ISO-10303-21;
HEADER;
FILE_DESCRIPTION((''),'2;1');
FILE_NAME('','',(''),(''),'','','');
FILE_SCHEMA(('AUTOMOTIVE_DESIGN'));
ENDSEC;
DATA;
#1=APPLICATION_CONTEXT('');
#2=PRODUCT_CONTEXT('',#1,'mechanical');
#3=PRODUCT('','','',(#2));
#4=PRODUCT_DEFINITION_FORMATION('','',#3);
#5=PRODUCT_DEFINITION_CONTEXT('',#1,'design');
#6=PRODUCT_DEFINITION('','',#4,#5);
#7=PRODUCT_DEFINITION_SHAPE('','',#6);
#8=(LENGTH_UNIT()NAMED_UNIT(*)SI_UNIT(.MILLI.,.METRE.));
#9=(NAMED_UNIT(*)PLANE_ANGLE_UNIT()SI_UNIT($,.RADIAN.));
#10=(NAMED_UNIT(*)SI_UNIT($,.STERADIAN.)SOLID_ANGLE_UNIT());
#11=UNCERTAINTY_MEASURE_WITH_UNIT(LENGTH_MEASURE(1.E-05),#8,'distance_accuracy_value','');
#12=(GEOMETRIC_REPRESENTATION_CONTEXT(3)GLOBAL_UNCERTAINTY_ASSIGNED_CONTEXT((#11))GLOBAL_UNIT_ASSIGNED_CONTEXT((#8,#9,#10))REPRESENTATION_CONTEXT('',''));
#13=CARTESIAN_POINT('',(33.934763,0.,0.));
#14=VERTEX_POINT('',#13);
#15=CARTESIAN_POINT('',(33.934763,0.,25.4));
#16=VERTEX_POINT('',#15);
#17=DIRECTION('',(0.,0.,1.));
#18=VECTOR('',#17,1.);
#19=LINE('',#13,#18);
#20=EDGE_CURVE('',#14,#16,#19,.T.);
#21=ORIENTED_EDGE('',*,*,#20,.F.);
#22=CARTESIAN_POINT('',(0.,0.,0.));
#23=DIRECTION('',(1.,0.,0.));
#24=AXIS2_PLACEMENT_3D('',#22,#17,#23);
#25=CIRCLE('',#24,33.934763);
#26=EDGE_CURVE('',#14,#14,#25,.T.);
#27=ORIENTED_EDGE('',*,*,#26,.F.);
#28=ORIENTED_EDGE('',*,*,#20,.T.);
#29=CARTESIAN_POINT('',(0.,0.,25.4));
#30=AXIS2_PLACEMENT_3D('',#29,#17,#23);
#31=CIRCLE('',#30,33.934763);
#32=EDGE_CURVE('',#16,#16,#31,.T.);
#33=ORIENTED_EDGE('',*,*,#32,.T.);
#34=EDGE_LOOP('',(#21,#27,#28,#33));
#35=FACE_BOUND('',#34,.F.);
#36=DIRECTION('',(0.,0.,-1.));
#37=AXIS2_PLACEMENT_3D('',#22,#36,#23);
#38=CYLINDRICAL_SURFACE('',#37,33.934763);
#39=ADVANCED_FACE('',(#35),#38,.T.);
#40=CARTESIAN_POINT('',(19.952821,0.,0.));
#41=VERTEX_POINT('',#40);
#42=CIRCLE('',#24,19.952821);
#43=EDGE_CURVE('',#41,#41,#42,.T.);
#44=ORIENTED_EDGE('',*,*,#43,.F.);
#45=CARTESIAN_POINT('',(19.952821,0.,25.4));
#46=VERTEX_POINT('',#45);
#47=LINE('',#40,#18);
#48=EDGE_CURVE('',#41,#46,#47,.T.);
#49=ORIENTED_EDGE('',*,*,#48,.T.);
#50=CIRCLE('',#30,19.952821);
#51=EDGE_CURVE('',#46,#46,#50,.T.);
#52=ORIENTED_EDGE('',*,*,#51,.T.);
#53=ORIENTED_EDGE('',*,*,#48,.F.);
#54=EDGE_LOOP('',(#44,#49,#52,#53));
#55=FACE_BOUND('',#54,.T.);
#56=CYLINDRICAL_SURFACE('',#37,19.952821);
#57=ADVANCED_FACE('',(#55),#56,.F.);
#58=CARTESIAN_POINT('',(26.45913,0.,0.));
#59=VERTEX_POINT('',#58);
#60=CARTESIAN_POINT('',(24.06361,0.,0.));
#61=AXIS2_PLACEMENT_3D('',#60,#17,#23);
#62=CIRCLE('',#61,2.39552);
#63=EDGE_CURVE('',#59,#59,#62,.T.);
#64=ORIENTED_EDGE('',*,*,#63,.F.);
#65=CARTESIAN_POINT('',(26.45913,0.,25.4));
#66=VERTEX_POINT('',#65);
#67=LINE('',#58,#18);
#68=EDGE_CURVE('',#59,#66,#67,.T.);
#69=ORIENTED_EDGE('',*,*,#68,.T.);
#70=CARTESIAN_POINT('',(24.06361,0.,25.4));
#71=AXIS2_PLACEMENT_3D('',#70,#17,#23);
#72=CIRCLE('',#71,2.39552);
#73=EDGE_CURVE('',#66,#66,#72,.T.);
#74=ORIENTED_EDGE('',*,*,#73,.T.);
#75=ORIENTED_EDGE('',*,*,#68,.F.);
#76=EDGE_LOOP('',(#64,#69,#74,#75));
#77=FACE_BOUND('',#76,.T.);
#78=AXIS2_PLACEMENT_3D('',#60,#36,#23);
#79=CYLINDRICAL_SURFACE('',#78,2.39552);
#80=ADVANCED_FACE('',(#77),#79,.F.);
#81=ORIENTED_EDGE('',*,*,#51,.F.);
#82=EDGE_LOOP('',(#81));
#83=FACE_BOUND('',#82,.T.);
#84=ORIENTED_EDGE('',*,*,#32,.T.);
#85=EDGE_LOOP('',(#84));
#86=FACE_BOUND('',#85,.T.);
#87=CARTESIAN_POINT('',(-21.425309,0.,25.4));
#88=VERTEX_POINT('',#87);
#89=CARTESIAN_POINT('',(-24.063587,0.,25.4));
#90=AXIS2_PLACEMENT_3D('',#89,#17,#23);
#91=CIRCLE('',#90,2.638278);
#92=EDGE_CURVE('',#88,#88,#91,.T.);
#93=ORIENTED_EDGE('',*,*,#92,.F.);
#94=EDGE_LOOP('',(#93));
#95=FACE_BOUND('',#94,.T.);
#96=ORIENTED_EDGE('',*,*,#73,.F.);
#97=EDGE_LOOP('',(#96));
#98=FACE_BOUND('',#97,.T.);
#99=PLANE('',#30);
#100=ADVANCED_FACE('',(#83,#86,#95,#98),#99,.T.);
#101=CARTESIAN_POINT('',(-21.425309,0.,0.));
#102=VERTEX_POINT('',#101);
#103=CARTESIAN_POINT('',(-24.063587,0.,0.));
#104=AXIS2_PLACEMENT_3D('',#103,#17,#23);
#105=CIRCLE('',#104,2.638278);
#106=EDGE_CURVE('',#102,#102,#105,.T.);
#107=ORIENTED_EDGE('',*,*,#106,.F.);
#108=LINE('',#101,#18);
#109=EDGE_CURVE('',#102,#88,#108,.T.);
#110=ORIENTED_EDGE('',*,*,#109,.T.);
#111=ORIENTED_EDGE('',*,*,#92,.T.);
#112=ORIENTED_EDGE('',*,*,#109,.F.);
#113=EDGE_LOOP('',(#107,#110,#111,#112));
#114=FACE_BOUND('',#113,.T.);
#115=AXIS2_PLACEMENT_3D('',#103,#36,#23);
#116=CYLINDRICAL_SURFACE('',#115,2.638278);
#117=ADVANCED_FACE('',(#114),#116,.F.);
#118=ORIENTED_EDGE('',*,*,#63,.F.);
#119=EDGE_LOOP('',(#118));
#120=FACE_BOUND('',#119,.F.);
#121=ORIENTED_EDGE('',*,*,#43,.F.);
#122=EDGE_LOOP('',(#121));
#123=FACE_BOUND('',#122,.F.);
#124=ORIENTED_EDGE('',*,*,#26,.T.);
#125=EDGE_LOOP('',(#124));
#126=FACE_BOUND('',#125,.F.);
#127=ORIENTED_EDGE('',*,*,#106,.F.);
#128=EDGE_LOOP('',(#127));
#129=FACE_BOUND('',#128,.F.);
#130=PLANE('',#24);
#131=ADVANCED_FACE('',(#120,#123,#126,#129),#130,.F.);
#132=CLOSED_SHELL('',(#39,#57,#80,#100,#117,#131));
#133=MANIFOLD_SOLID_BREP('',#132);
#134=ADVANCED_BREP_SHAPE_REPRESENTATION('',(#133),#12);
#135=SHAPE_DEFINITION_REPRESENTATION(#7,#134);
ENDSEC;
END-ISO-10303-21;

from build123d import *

# Parameters (mm, degrees)
F0_R     = 33.934763
F0_R_2   = 2.638278
F0_R_3   = 19.952821
F0_R_4   = 2.39552
F1_DEPTH = 25.4


with BuildPart() as f1:
    # F0 (on Top) → F1 (new body)
    with BuildSketch(Plane.XY):
        Circle(F0_R)
        with Locations((-24.063587, 0)):
            Circle(F0_R_2, mode=Mode.SUBTRACT)
        Circle(F0_R_3, mode=Mode.SUBTRACT)
        with Locations((24.06361, 0)):
            Circle(F0_R_4, mode=Mode.SUBTRACT)
    extrude(amount=F1_DEPTH)


solid = f1.part
